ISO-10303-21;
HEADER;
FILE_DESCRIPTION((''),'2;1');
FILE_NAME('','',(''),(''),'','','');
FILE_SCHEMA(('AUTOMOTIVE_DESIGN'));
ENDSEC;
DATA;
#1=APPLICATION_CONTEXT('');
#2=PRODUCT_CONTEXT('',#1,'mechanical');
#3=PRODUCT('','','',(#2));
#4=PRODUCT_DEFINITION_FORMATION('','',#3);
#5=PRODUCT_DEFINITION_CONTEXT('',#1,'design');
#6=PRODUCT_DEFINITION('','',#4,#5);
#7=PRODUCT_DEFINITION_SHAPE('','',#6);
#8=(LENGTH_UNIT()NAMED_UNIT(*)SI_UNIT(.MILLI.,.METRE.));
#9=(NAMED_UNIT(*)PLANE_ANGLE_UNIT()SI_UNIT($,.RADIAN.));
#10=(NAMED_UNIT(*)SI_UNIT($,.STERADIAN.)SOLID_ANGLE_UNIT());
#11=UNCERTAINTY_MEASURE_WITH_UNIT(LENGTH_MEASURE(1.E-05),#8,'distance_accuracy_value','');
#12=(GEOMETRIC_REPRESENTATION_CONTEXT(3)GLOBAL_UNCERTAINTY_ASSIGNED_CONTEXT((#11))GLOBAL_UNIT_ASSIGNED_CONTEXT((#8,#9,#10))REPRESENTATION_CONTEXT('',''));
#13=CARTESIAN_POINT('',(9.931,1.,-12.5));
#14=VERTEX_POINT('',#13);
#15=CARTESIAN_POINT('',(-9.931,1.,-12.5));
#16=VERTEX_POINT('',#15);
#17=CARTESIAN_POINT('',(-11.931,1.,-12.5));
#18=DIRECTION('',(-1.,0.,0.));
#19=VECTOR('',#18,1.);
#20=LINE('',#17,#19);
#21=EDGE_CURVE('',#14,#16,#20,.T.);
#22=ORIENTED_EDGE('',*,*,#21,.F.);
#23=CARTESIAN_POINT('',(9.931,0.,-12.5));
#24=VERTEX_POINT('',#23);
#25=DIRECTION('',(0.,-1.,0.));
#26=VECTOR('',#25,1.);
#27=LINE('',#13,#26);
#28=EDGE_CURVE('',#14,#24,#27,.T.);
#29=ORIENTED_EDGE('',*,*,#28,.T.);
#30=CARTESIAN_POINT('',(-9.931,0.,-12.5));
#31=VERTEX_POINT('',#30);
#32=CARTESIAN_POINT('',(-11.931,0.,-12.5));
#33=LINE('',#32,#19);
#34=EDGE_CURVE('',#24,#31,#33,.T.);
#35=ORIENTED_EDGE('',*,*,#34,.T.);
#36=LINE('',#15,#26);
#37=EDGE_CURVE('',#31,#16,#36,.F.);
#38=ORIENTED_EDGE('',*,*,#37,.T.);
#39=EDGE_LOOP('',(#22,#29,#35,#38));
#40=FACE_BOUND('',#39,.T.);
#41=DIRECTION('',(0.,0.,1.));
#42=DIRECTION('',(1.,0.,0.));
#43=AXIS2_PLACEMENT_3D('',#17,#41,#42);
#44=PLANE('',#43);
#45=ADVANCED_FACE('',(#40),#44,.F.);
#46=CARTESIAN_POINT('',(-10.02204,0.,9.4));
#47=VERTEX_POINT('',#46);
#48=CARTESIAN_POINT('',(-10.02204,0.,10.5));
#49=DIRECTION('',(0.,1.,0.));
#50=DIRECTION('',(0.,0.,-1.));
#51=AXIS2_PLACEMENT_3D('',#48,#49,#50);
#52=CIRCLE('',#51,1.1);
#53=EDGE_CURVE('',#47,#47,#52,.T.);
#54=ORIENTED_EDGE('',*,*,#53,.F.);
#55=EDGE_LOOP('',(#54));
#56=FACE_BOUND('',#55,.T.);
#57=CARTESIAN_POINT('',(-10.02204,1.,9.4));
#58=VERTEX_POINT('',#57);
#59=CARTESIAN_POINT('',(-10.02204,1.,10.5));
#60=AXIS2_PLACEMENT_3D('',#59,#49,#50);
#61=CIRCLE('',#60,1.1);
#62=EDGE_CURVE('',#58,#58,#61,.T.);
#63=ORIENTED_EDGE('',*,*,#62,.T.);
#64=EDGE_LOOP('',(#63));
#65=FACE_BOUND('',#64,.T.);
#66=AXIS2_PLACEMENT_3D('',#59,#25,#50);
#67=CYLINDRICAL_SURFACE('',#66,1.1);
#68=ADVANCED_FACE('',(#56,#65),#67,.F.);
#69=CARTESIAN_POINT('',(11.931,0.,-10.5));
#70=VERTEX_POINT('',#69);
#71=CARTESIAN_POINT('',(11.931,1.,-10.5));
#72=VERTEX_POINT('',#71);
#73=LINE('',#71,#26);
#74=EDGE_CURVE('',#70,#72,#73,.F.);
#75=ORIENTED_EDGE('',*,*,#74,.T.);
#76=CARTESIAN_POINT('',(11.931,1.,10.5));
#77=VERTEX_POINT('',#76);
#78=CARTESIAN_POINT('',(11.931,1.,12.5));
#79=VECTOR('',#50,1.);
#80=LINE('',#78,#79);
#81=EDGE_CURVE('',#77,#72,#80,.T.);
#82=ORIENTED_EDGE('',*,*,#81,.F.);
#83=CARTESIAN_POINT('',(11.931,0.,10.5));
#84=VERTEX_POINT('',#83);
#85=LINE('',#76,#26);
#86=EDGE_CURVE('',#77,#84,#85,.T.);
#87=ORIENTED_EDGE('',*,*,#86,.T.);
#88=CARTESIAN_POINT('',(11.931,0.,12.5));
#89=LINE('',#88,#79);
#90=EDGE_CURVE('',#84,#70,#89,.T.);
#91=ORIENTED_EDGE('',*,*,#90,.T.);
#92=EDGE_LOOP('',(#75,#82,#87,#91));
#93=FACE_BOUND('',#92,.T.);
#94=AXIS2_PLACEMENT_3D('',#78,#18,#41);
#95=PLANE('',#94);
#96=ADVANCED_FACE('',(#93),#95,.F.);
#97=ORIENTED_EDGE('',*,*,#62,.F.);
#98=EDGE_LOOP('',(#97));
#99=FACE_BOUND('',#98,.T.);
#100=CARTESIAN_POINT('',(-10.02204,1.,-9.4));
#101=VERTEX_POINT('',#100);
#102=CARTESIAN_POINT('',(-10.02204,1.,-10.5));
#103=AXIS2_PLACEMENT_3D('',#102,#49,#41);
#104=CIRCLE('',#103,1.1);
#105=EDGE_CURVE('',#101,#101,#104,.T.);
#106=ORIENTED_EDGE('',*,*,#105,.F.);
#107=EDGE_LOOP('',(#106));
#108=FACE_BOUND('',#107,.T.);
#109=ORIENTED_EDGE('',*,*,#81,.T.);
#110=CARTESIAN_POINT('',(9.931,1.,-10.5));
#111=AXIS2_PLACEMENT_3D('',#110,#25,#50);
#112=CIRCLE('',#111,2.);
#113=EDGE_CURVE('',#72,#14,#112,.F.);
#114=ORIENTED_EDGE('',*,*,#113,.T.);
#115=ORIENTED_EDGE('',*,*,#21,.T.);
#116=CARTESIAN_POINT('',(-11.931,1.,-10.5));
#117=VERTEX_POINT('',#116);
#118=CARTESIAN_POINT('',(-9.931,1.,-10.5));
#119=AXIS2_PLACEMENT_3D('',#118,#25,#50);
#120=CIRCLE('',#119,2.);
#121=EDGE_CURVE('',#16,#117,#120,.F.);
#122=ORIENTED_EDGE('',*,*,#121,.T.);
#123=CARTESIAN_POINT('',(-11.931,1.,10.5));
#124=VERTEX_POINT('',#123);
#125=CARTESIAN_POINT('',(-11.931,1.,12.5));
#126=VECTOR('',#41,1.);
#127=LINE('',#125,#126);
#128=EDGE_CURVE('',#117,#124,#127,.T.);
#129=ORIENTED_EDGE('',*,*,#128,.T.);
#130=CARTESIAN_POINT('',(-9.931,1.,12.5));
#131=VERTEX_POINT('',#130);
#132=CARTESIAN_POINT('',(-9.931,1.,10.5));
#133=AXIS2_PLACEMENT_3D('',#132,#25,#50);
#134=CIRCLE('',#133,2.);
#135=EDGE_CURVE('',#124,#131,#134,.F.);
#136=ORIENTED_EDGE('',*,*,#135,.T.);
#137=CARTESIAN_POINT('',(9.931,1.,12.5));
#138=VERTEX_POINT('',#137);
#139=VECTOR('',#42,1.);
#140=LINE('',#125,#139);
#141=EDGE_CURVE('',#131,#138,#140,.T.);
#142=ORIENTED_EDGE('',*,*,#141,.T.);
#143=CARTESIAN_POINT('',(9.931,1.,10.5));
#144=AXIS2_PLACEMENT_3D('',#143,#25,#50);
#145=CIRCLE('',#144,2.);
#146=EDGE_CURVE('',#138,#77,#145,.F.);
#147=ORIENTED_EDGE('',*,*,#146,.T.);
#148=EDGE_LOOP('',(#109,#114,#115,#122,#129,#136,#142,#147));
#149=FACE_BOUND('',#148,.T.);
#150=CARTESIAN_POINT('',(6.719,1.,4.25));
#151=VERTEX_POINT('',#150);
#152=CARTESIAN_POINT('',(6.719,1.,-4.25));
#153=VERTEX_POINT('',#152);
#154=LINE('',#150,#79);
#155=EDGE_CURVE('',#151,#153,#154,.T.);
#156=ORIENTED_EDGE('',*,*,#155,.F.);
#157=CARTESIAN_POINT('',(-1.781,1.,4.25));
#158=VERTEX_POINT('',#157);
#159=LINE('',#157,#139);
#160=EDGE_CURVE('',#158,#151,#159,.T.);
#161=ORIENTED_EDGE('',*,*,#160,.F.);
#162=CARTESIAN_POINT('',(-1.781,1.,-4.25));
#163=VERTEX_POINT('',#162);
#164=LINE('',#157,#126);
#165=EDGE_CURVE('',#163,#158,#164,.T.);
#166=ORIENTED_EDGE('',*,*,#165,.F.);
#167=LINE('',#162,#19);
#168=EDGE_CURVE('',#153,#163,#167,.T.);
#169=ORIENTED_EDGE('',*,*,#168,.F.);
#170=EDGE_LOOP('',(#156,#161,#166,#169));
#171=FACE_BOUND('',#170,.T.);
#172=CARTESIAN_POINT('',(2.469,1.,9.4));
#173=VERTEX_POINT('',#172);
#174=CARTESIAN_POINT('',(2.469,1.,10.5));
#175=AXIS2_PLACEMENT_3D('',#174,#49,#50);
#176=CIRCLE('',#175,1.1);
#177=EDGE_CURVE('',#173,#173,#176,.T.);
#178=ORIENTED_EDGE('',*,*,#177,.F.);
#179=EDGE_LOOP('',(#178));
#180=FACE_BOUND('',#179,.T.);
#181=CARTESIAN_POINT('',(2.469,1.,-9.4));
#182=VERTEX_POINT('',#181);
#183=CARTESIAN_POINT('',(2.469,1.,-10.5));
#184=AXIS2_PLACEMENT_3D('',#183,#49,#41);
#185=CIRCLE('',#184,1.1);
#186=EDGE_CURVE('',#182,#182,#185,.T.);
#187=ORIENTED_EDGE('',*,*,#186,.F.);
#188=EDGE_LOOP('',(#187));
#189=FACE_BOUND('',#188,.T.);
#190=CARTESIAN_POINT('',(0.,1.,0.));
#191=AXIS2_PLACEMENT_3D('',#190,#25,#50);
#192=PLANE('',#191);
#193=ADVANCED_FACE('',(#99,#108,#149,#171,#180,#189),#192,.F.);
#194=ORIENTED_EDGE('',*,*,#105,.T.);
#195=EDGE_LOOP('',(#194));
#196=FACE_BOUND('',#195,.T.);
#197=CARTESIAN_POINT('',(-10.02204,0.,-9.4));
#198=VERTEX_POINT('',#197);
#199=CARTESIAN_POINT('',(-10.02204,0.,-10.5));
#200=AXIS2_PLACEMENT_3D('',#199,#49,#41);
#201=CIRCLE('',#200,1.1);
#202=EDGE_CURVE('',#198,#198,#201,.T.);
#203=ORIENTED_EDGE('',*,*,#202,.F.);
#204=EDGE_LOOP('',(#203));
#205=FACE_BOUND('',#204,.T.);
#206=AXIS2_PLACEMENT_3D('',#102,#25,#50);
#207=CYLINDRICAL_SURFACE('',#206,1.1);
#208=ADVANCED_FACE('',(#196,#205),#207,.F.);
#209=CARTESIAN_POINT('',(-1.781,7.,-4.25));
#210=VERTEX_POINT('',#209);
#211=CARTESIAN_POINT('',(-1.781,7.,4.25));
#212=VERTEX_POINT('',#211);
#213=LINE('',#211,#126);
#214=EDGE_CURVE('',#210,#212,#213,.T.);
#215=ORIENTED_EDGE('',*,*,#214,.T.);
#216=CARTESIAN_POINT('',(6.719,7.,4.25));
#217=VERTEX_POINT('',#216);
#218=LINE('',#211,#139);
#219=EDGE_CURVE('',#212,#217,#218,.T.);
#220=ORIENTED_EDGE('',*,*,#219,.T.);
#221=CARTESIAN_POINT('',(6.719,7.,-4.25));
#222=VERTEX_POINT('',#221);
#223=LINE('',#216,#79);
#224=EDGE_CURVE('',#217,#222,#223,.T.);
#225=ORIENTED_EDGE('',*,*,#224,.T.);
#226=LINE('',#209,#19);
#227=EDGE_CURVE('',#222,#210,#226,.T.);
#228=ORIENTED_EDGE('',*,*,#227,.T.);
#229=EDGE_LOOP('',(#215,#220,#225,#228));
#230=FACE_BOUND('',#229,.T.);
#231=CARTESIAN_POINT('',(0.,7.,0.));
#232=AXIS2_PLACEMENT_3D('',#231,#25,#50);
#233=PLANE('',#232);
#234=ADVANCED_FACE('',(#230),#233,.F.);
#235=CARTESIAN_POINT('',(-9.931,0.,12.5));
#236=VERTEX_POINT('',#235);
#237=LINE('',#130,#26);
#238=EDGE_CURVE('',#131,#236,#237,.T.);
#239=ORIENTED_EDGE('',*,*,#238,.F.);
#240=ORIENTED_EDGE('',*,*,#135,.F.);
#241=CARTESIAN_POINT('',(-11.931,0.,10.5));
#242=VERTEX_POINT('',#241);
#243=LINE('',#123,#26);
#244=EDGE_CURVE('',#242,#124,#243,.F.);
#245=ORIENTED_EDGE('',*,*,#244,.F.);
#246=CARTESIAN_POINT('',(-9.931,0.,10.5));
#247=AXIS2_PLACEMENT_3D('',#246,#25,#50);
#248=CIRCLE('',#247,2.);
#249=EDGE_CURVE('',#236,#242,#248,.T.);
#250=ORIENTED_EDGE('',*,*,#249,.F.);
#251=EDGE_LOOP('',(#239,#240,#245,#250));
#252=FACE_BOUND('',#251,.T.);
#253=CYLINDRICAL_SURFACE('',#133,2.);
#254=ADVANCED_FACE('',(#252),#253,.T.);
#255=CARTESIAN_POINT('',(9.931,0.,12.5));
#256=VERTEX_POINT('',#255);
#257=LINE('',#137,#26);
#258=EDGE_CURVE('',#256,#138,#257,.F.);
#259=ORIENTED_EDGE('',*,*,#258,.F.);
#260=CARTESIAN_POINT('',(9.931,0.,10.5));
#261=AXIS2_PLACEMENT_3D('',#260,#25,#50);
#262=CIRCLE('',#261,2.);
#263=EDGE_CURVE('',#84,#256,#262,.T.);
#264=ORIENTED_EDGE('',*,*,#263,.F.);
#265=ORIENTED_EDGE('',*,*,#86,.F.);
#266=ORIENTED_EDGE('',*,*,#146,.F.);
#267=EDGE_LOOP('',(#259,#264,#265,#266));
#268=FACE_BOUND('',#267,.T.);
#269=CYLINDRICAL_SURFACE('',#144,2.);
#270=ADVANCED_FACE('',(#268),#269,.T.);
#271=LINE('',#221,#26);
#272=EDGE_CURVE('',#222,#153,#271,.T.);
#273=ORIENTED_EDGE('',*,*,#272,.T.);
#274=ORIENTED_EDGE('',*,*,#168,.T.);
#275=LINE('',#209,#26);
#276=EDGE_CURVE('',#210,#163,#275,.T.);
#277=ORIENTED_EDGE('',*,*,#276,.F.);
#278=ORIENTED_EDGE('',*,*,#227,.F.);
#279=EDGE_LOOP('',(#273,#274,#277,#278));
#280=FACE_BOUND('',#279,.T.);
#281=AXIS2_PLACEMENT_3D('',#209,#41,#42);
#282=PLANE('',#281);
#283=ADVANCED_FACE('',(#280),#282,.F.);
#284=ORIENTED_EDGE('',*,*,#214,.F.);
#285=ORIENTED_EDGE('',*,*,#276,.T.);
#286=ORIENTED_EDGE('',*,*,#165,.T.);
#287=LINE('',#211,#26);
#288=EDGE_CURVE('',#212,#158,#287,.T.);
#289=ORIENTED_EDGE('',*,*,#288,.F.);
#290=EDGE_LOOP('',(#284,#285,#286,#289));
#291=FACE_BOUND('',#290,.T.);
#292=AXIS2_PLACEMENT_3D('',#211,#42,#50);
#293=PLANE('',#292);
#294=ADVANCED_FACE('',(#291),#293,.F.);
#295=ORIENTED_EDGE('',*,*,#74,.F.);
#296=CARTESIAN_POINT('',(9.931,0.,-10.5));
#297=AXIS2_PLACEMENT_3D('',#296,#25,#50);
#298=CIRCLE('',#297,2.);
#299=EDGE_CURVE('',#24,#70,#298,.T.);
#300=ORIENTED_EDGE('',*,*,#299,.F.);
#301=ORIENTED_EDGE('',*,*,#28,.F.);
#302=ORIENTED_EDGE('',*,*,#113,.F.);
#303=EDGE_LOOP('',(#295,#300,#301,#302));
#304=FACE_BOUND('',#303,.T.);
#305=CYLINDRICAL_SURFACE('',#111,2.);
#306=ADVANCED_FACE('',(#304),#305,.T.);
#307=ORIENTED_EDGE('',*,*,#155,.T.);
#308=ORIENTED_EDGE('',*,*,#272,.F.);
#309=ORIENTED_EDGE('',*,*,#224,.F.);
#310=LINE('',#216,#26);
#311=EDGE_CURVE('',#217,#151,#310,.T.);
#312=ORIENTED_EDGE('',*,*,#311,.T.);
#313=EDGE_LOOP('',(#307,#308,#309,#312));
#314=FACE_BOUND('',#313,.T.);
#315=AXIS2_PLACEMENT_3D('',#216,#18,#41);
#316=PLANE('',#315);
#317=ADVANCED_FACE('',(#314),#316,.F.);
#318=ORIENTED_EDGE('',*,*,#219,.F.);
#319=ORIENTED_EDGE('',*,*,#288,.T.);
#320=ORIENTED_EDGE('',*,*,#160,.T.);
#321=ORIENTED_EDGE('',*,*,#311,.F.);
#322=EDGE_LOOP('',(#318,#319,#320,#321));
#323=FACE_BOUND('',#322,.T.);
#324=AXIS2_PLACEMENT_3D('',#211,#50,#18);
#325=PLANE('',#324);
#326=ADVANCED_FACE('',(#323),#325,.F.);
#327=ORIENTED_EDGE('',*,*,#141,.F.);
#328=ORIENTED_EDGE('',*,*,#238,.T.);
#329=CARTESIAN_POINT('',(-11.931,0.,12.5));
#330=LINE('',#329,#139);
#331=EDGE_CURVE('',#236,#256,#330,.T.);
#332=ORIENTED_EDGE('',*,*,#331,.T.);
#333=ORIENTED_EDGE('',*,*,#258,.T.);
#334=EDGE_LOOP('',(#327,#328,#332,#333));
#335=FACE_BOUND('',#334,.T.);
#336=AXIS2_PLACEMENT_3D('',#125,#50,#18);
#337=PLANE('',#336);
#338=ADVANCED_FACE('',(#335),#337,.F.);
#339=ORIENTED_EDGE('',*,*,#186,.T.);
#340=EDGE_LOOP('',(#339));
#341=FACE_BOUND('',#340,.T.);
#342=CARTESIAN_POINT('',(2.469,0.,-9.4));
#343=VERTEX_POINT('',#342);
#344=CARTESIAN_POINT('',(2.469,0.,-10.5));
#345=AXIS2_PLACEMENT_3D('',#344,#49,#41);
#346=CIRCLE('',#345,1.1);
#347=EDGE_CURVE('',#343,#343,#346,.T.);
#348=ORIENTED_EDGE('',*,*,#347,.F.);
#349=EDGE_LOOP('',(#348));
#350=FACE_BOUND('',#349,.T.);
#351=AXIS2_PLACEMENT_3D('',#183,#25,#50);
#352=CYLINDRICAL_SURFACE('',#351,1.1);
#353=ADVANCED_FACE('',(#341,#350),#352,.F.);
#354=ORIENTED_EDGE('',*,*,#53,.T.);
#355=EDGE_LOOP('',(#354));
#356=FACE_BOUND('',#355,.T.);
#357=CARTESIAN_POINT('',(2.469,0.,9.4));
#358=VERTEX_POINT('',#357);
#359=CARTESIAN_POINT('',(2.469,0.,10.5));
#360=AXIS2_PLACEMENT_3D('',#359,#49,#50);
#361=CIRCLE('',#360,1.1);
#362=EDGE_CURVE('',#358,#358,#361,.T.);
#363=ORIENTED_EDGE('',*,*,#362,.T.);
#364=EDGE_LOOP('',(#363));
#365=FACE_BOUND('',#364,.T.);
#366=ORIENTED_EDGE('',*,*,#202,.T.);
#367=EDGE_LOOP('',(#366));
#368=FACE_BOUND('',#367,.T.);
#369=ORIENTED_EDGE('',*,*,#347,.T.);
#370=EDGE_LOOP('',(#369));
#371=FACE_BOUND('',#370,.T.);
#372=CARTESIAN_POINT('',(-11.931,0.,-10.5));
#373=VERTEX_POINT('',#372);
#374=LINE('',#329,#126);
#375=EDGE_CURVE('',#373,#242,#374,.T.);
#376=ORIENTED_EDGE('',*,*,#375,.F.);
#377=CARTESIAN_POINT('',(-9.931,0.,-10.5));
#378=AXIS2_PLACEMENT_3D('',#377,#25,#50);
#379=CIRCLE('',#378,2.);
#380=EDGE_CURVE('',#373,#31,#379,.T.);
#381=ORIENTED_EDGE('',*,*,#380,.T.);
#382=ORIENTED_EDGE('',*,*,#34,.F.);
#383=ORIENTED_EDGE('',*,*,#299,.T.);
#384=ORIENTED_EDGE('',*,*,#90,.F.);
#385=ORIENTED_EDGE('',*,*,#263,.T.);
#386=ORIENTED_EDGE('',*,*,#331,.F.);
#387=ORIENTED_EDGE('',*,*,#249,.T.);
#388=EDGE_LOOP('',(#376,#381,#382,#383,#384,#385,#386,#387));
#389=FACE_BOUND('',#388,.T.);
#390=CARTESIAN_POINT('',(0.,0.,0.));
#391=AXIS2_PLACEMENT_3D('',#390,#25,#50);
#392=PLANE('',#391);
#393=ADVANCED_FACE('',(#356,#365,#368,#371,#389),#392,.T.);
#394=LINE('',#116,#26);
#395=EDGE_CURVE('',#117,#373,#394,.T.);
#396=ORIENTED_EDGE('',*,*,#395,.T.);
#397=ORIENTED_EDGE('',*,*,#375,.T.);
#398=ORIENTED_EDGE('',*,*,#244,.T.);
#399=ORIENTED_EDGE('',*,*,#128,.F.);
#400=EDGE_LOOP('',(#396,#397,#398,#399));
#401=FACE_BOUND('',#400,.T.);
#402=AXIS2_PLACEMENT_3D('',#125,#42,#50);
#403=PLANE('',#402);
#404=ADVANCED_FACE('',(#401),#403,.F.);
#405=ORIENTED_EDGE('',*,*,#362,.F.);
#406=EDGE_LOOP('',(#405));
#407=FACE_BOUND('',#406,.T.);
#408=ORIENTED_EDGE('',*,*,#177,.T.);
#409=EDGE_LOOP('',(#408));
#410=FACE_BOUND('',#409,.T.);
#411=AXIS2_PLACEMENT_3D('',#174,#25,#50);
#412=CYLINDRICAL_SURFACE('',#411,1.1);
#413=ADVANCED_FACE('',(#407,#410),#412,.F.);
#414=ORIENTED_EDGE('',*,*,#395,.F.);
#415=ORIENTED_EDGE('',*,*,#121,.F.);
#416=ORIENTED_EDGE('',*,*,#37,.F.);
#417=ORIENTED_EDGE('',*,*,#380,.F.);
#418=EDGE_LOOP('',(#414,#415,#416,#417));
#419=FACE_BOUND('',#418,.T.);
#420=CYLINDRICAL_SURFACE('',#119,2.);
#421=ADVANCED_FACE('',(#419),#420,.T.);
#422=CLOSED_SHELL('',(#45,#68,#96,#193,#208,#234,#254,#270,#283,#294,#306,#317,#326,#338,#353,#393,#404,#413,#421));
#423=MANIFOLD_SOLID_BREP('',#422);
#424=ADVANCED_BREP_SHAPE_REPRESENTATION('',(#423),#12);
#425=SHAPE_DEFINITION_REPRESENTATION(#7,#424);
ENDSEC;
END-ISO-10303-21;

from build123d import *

# Parameters (mm, degrees)
SKETCH1_W           = 23.862
SKETCH1_H           = 25
SKETCH1_R           = 1.1
BOSS_EXTRUDE1_DEPTH = 1
FILLET1_R           = 2
SKETCH2_W           = 8.5
SKETCH2_H           = 8.5
BOSS_EXTRUDE2_DEPTH = 6


with BuildPart() as part:
    # Sketch1 → Boss-Extrude1 (new body)
    with BuildSketch(Plane(origin=(0, 0, 0), x_dir=(1, 0, 0), z_dir=(0, 1, 0))):
        Rectangle(SKETCH1_W, SKETCH1_H)
        with Locations(Location((-10.02204, 10.5, 0), (0, 0, 270))):
            Circle(SKETCH1_R, mode=Mode.SUBTRACT)
        with Locations(Location((2.469, 10.5, 0), (0, 0, 270))):
            Circle(SKETCH1_R, mode=Mode.SUBTRACT)
        with Locations(Location((2.469, -10.5, 0), (0, 0, 90))):
            Circle(SKETCH1_R, mode=Mode.SUBTRACT)
        with Locations(Location((-10.02204, -10.5, 0), (0, 0, 90))):
            Circle(SKETCH1_R, mode=Mode.SUBTRACT)
    extrude(amount=BOSS_EXTRUDE1_DEPTH)

    # Fillet1
    fillet1_edges = [part.edges().sort_by_distance(p)[0] for p in [
        (11.931, 0.5, 12.5),
        (-11.931, 0.5, 12.5),
        (-11.931, 0.5, -12.5),
        (11.931, 0.5, -12.5),
    ]]
    fillet(fillet1_edges, radius=FILLET1_R)

    # Sketch2 → Boss-Extrude2 (add)
    with BuildSketch(Plane(origin=(0, 1, 0), x_dir=(1, 0, 0), z_dir=(0, 1, 0))):
        with Locations((2.469, 0)):
            Rectangle(SKETCH2_W, SKETCH2_H)
    extrude(amount=BOSS_EXTRUDE2_DEPTH)


solid = part.part
